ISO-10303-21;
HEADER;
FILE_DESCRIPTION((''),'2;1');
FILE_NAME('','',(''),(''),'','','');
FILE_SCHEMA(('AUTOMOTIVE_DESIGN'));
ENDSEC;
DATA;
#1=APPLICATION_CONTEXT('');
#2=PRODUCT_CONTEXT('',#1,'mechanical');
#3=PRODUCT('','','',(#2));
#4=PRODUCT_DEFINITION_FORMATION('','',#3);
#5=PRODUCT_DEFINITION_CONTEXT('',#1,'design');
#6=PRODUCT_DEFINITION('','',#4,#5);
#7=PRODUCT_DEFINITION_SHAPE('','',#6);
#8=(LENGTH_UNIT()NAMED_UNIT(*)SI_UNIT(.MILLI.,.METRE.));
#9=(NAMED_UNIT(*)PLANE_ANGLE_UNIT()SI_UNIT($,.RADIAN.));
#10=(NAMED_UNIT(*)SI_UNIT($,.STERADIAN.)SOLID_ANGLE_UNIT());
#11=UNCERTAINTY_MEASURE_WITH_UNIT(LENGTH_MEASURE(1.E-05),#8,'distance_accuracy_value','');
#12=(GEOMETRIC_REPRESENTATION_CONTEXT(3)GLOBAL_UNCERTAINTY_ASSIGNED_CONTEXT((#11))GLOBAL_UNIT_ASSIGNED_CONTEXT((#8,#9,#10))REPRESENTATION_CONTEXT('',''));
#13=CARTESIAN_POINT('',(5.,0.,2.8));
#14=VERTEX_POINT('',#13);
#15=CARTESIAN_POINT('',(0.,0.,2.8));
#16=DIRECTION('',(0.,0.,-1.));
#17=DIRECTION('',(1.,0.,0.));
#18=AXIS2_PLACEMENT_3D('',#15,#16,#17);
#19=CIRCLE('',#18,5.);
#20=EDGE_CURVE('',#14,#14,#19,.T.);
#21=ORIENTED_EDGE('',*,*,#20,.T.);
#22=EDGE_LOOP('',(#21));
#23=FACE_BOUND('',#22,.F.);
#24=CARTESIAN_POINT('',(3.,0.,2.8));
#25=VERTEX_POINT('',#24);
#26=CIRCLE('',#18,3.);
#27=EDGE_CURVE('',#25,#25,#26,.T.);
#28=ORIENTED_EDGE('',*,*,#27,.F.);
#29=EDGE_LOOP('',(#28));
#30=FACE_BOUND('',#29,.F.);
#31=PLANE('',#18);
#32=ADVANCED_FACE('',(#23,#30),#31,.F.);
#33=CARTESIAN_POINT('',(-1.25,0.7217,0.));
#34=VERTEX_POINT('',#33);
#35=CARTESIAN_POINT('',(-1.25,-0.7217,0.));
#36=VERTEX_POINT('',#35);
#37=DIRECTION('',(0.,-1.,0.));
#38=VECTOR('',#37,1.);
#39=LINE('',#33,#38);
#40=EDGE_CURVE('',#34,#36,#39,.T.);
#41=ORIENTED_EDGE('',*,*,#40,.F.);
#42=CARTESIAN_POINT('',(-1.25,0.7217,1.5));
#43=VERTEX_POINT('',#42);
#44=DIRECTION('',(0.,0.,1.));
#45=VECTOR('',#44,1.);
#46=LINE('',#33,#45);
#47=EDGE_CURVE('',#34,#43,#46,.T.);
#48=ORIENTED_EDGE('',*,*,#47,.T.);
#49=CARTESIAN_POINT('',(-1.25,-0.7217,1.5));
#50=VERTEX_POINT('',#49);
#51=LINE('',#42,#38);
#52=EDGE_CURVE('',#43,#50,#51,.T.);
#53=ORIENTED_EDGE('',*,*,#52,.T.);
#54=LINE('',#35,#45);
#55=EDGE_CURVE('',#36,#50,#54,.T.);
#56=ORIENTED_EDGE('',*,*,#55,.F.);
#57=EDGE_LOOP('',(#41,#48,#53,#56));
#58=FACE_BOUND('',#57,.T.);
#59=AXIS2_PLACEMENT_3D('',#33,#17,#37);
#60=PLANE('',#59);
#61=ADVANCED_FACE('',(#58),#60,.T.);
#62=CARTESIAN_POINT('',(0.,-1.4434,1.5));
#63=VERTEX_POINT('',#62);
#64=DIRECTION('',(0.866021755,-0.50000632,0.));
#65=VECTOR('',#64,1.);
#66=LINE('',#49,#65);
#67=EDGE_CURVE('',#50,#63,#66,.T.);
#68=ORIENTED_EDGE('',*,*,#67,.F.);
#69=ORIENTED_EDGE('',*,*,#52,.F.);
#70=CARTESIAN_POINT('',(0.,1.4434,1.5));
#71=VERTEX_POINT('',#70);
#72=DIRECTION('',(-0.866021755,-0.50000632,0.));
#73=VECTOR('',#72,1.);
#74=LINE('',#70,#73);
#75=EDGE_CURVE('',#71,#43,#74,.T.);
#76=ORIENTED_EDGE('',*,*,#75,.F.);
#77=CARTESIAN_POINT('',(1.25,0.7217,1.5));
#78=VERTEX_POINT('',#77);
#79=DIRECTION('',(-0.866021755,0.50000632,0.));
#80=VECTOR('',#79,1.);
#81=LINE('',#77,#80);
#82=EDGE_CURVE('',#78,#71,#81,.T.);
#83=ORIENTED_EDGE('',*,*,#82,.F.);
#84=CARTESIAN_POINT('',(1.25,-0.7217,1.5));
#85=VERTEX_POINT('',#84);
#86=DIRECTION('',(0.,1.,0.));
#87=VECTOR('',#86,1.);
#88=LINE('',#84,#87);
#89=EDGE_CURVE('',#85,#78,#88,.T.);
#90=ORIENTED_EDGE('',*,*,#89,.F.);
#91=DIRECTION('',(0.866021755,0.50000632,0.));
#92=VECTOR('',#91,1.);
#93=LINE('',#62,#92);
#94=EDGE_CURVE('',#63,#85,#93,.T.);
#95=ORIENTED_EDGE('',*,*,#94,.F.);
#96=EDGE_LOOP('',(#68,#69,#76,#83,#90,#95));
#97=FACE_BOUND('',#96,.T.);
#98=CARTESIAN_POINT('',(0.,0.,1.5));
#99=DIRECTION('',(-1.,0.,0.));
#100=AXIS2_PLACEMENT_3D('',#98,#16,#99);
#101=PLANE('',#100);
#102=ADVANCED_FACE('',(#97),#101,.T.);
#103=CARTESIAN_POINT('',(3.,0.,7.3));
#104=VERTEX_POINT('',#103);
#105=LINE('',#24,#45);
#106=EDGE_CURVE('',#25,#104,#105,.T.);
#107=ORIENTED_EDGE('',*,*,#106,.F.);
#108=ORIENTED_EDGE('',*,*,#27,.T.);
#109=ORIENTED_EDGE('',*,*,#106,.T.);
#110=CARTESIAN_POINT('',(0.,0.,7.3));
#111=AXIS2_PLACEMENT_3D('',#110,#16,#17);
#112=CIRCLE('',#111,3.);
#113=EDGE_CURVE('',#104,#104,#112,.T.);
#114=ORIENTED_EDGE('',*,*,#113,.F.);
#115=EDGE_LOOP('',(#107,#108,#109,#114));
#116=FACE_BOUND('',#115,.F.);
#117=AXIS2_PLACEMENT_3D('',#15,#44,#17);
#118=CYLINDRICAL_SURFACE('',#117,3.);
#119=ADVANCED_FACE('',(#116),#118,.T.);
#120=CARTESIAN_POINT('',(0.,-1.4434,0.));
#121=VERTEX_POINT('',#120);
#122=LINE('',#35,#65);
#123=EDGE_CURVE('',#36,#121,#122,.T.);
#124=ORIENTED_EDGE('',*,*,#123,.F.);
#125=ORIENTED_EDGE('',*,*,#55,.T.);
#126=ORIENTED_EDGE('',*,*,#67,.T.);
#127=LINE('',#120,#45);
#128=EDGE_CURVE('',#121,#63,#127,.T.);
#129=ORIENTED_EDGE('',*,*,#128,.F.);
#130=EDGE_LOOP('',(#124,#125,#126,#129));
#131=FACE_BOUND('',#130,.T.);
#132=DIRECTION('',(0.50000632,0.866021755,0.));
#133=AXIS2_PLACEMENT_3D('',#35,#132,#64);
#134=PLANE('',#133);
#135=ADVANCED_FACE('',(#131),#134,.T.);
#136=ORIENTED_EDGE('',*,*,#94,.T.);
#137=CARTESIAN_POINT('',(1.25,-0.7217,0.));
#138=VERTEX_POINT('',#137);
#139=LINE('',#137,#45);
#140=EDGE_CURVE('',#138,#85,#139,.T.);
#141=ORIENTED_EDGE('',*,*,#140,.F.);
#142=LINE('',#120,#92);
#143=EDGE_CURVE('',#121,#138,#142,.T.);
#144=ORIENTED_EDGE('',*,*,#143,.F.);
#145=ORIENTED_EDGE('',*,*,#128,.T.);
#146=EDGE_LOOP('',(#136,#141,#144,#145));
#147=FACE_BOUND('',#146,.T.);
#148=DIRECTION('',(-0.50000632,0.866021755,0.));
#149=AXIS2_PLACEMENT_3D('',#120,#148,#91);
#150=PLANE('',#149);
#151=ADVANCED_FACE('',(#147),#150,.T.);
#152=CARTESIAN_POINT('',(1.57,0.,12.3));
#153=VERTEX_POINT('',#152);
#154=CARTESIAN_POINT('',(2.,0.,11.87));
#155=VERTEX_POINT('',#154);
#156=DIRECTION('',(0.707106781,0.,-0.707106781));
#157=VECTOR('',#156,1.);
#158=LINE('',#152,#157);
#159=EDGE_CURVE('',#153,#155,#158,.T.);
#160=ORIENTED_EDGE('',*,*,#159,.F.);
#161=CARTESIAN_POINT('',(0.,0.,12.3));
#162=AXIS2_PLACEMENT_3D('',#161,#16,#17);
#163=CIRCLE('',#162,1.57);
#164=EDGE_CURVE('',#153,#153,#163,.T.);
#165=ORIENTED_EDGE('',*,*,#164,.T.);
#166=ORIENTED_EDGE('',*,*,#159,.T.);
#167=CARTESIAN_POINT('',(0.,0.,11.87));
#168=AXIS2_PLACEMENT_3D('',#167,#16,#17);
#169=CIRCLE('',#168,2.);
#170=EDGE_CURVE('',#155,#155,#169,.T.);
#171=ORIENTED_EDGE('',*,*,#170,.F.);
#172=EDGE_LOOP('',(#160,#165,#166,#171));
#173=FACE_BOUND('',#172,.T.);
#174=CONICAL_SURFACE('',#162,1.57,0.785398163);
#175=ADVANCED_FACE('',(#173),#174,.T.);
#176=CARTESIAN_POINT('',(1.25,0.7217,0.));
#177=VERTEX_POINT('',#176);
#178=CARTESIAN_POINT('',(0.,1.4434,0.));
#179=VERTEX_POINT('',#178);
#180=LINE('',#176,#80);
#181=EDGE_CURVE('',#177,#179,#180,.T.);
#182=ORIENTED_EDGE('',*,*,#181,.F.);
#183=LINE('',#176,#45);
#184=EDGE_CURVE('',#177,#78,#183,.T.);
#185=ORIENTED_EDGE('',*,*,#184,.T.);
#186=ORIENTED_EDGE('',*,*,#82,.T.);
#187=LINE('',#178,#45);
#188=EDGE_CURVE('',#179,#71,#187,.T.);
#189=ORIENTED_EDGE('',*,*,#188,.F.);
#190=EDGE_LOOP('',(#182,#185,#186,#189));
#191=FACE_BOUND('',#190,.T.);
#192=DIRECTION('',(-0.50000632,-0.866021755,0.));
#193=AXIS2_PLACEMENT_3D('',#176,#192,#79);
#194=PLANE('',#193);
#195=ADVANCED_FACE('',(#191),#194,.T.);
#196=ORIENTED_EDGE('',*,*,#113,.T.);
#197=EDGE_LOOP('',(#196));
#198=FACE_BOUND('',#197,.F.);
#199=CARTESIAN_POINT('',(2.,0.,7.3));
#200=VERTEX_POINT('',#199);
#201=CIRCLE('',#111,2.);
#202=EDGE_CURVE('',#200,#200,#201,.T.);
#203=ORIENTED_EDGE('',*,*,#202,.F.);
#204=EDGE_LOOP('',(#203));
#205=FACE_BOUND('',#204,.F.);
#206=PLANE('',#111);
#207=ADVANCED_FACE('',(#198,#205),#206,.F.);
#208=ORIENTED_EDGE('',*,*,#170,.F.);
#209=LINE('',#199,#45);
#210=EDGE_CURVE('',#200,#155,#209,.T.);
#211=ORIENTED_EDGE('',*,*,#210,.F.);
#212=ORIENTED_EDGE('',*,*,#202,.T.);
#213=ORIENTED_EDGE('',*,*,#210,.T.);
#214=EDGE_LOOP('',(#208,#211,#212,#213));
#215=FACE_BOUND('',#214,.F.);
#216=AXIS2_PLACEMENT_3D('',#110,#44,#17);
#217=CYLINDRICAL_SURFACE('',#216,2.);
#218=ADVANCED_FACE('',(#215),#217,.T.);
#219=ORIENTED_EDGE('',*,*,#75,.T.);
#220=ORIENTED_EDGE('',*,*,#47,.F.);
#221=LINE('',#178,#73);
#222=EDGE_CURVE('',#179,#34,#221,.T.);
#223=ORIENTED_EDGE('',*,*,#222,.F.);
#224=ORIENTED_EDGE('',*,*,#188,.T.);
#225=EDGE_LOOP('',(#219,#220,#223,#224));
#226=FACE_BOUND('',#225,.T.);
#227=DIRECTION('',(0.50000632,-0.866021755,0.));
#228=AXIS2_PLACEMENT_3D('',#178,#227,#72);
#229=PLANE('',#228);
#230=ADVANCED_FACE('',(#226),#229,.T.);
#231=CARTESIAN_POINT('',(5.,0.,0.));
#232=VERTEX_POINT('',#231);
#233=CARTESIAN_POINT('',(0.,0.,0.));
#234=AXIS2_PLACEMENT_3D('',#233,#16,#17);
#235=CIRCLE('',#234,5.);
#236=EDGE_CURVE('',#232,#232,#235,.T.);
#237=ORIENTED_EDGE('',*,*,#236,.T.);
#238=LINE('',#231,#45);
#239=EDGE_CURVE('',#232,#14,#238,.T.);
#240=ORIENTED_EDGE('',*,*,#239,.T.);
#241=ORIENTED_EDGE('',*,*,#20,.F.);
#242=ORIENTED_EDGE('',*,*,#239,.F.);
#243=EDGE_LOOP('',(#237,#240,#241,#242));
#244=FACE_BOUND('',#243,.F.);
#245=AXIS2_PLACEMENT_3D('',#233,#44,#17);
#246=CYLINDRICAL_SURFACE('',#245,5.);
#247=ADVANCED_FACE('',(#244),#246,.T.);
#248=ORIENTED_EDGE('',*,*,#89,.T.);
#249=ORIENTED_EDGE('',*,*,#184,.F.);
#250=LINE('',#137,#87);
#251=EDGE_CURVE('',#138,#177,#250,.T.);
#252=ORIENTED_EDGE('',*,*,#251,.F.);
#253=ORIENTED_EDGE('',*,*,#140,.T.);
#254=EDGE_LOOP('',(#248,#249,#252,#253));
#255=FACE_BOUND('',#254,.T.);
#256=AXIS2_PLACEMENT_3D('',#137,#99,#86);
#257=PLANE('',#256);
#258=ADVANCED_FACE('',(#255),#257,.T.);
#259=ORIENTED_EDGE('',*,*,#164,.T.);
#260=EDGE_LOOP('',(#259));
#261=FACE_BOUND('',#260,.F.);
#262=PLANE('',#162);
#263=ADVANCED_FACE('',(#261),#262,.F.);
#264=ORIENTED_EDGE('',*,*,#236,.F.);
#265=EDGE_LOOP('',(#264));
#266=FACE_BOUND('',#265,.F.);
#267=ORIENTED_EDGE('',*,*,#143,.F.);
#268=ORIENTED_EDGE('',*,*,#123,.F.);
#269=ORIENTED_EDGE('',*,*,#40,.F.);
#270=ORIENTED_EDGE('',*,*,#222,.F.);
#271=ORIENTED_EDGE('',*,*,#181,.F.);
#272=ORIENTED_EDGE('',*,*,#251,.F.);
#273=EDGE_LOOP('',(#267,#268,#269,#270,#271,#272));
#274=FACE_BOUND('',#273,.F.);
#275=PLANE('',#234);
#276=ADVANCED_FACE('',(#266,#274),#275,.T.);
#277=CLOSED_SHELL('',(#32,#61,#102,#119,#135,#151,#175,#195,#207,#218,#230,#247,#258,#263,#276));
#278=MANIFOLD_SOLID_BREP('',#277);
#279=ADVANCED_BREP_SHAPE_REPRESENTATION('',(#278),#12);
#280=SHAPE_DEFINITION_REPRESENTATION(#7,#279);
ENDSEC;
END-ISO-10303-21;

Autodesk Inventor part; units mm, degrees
ref_plane "YZ Plane" through (0, 0, 0) normal (1, 0, 0) x (0, 1, 0)
ref_plane "XZ Plane" through (0, 0, 0) normal (0, 1, 0) x (-1, 0, 0)
ref_plane "XY Plane" through (0, 0, 0) normal (0, 0, 1) x (1, 0, 0)
sketch "スケッチ1" plane through (0, 0, 0) normal (0, 1, 0) x (-1, 0, 0)
  line L0 (0, 0) -> (-5, 0)
  line L1 (-5, 0) -> (-5, 2.8)
  line L2 (-5, 2.8) -> (-3, 2.8)
  line L3 (-3, 2.8) -> (-3, 7.3)
  line L4 (-3, 7.3) -> (-2, 7.3)
  line L5 (-2, 7.3) -> (-2, 11.87)
  line L6 (-1.57, 12.3) -> (0, 12.3)
  line L7 (0, 12.3) -> (0, 0)
  line L8 (-1.57, 12.3) -> (-2, 11.87)
  point P0 (-2, 12.3)
  dimension "d0" = 5
  dimension "d1" = 4.5
  dimension "d2" = 2.8
  dimension "d3" = 0.43
  dimension "d4" = 0.43
  dimension "d5" = 4
  dimension "d6" = 10
  dimension "d7" = 6
revolve "回転1" add sketch "スケッチ1" angle 360 about axis through (0, 0, 12.3) along (0, 0, -1)
thread "ねじ1" size "M4x0.7" class "6g" standard "ANSI Metric M Profile" length 7.57 offset 1.2
sketch "スケッチ2" plane through (0, 0, 0) normal (0, 0, -1) x (-1, 0, 0)
  line L0 (0, -1.4434) -> (-1.25, -0.7217)
  line L1 (-1.25, -0.7217) -> (-1.25, 0.7217)
  line L2 (-1.25, 0.7217) -> (0, 1.4434)
  line L3 (0, 1.4434) -> (1.25, 0.7217)
  line L4 (1.25, 0.7217) -> (1.25, -0.7217)
  line L5 (1.25, -0.7217) -> (0, -1.4434)
  point P0 (0, 0)
  point P1 (0, 0)
  dimension "d11" = 2.5
extrude "押し出し1" cut sketch "スケッチ2" against normal blind 1.5
equation "\"d4\" = d3"
properties part number "DBTS4-4.5-5-DHC-LTC" material "ステンレス鋼 AISI 304"
